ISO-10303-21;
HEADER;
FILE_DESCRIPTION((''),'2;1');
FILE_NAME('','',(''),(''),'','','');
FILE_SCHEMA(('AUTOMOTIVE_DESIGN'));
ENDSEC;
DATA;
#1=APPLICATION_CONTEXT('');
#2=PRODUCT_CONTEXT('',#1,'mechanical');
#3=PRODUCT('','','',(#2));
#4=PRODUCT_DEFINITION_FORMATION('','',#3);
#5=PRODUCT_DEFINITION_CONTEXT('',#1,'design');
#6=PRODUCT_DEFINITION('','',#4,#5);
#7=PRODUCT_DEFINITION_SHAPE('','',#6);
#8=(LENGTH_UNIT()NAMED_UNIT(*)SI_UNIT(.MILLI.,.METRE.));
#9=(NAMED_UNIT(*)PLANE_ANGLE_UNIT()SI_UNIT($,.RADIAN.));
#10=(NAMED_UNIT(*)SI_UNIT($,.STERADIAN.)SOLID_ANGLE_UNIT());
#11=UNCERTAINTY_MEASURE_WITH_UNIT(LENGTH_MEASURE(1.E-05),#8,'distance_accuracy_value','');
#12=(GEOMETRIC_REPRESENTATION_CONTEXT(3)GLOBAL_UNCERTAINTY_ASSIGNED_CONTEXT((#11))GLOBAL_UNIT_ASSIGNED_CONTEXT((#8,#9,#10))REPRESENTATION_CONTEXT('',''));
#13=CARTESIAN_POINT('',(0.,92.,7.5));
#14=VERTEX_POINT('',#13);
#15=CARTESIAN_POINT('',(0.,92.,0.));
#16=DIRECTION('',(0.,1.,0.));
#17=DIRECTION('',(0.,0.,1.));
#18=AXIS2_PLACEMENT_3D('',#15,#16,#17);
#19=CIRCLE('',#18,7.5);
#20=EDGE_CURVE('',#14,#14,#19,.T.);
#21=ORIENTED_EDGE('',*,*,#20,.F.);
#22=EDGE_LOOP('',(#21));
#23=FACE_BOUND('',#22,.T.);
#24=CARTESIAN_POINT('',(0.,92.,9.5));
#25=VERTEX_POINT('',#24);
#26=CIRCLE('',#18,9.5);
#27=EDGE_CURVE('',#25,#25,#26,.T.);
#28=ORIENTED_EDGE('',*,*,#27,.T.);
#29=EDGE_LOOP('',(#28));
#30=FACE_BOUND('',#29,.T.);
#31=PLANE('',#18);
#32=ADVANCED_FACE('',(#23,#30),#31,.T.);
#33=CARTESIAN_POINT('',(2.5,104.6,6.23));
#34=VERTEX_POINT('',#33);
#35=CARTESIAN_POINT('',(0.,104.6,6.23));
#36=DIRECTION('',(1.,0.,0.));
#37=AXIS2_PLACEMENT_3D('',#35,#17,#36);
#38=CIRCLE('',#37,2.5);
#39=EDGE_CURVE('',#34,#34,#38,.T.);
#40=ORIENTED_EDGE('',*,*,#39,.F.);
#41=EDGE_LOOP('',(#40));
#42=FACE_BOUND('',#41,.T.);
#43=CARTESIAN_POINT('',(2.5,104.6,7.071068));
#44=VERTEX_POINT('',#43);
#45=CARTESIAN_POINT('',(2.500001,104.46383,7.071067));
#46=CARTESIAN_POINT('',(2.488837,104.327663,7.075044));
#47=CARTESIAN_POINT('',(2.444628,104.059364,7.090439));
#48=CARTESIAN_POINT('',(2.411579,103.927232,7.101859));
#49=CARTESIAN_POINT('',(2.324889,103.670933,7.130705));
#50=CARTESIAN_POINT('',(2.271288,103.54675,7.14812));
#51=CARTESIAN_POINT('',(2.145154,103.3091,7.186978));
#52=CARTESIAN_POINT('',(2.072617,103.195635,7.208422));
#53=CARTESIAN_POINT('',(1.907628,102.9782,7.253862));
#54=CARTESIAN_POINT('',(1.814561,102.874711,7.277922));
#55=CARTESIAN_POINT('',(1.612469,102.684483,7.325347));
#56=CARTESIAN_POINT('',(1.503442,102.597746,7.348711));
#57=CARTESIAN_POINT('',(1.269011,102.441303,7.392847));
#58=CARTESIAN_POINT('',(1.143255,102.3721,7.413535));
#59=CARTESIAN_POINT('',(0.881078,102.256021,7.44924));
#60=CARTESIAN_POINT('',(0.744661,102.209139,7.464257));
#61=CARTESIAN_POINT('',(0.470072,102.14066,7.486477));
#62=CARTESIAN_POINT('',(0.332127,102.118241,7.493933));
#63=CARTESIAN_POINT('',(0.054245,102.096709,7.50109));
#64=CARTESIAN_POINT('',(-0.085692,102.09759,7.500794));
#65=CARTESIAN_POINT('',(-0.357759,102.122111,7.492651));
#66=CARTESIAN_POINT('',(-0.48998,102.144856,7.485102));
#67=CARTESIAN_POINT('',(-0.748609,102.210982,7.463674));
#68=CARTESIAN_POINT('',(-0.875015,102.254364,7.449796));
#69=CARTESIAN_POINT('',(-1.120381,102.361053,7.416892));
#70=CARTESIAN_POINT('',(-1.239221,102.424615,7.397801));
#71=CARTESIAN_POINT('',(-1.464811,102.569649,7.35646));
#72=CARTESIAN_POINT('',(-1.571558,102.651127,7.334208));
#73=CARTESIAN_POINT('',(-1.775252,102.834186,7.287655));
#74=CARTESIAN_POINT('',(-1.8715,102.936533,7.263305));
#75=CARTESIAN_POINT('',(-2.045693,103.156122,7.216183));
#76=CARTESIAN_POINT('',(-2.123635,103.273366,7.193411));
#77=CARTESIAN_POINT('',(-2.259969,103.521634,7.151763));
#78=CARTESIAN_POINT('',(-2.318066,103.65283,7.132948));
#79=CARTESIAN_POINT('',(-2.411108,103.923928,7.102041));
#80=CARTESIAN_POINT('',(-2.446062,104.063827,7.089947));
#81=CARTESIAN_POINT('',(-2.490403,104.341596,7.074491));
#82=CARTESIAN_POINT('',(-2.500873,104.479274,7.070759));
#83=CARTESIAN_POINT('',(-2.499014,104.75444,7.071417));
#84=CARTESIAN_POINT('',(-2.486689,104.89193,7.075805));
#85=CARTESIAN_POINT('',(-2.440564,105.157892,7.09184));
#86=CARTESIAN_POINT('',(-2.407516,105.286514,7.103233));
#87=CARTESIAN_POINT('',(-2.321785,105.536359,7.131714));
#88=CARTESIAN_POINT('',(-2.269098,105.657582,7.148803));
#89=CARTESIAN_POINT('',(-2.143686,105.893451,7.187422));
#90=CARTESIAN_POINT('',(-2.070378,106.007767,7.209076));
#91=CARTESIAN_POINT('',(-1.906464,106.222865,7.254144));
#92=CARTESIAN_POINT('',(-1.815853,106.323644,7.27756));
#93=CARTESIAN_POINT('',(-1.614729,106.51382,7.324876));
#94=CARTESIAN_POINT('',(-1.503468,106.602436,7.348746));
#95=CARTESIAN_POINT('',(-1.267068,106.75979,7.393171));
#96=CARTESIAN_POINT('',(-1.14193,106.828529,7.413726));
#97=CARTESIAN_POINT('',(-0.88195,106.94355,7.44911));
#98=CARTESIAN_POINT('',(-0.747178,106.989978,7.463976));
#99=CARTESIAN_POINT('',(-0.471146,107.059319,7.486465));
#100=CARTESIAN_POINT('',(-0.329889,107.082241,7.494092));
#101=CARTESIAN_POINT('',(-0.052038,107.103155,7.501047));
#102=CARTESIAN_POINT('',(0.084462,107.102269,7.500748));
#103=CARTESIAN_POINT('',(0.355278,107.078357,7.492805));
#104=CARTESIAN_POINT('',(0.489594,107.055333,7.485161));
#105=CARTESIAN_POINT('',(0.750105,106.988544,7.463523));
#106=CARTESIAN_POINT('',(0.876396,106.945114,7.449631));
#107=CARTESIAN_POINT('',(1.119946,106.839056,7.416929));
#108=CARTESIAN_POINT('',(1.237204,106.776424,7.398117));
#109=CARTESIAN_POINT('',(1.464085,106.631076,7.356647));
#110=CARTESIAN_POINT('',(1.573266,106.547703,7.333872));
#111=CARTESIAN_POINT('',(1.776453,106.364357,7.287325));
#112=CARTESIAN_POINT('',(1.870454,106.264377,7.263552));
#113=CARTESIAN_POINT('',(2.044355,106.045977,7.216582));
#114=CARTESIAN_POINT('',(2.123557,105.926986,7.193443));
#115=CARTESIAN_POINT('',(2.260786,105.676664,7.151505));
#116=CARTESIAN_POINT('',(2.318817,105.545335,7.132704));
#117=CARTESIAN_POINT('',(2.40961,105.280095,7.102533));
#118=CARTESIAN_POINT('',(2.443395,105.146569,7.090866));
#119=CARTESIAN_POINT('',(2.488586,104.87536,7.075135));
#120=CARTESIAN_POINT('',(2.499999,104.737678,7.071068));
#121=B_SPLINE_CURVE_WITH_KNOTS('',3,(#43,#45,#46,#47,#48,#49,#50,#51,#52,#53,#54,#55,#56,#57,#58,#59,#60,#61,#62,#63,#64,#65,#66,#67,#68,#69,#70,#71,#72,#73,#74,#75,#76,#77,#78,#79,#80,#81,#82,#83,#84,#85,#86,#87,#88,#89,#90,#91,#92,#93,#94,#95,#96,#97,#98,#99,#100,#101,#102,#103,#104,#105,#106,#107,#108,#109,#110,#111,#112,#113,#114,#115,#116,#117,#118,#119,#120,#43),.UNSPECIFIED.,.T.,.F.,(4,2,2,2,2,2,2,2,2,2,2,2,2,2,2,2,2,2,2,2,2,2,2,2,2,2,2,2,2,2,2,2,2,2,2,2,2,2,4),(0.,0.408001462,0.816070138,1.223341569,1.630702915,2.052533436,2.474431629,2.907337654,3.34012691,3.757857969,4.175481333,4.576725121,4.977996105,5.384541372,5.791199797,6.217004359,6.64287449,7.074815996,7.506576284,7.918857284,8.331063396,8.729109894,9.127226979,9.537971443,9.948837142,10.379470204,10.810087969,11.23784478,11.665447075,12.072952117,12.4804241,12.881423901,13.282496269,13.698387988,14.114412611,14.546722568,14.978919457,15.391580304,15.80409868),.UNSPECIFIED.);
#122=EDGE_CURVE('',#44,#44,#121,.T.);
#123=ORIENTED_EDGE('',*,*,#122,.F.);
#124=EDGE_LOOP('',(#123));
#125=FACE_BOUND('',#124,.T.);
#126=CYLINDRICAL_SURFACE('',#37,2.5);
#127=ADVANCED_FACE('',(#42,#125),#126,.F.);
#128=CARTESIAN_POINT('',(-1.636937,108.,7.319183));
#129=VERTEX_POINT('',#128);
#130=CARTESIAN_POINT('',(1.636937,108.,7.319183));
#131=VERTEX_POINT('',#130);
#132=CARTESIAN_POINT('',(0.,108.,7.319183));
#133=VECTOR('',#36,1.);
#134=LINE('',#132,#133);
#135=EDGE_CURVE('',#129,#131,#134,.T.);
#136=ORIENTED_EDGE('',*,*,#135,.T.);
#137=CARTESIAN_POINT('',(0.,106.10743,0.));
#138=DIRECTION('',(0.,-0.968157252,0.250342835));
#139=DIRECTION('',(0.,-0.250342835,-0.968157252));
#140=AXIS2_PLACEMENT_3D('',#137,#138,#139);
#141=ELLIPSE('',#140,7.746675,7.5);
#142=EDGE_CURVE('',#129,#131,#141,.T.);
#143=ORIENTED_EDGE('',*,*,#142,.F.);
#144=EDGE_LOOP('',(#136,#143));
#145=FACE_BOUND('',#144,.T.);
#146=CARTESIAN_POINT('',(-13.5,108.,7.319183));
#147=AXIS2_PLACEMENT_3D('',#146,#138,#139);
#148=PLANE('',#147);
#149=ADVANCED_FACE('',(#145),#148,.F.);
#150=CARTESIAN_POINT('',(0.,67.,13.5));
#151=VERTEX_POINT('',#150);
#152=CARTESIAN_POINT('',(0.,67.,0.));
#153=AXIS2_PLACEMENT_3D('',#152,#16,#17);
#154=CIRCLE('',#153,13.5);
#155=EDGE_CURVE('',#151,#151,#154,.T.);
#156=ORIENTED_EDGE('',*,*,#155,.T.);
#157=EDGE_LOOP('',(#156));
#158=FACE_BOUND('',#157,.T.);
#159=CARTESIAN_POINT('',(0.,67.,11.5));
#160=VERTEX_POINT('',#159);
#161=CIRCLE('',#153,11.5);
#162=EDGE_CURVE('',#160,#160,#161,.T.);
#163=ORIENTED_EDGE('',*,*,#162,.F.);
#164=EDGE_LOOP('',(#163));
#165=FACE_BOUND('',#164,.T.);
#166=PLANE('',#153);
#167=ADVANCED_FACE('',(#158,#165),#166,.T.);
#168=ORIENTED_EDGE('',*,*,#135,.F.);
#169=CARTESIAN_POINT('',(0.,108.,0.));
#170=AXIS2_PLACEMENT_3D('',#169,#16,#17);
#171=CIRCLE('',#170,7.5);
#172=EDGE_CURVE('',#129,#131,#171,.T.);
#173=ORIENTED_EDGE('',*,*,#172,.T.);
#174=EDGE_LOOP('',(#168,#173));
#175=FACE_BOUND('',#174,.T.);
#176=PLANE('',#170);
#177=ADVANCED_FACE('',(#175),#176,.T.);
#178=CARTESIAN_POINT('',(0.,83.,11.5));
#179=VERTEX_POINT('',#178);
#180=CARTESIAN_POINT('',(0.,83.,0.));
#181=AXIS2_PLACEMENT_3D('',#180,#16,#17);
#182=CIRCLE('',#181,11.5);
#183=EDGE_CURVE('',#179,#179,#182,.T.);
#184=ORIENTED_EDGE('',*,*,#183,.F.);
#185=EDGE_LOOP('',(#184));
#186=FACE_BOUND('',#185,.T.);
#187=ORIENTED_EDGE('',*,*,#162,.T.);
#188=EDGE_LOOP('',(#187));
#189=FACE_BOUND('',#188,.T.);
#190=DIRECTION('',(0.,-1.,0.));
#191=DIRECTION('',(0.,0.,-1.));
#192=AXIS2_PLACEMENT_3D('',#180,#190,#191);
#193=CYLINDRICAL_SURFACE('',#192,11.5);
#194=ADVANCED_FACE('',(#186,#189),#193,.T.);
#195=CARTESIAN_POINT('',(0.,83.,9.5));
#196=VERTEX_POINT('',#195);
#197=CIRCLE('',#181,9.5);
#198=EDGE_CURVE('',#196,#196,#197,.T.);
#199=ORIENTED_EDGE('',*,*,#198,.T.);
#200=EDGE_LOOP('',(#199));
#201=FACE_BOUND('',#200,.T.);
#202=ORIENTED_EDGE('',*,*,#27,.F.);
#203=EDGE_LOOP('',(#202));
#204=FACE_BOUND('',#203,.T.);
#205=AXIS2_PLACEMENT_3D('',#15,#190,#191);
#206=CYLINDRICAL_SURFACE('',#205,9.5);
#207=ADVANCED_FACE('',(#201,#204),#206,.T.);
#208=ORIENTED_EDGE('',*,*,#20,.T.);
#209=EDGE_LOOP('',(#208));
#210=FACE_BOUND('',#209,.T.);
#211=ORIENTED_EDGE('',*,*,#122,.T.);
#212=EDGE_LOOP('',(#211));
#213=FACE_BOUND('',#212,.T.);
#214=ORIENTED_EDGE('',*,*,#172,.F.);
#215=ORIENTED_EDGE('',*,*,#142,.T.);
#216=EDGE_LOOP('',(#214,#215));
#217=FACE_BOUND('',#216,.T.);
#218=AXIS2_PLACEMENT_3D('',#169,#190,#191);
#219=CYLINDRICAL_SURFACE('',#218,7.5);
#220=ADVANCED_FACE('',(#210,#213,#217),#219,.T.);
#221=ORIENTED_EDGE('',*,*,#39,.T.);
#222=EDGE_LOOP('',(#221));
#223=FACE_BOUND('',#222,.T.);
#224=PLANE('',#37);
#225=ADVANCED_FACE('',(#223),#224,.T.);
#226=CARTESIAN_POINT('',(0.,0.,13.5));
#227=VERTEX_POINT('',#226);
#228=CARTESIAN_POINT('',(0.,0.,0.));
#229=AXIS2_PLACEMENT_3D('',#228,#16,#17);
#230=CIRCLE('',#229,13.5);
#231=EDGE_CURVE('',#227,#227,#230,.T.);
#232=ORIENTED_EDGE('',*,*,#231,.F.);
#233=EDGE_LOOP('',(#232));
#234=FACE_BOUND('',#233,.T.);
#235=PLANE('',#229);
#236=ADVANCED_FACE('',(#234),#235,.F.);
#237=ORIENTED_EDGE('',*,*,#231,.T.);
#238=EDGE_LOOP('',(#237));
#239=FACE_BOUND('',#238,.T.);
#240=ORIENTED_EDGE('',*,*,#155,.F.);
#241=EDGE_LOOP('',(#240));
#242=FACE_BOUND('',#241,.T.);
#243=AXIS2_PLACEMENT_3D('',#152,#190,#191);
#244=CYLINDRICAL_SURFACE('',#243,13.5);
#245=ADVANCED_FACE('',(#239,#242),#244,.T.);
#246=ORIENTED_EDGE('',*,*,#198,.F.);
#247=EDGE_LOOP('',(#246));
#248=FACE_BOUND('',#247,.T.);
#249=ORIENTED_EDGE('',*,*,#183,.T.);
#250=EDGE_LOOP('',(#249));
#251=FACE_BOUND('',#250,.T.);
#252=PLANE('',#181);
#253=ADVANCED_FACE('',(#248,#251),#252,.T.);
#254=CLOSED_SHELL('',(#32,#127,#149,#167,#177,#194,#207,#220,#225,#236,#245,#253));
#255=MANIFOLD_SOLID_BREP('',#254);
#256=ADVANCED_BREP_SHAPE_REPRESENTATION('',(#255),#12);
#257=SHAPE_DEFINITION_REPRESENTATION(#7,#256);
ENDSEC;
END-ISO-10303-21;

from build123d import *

# Parameters (mm, degrees)
SKETCH1_R           = 13.5
BOSS_EXTRUDE1_DEPTH = 67
SKETCH2_R           = 11.5
BOSS_EXTRUDE2_DEPTH = 16
SKETCH3_R           = 9.5
BOSS_EXTRUDE3_DEPTH = 9
SKETCH4_R           = 7.5
BOSS_EXTRUDE4_DEPTH = 16
CUT_EXTRUDE1_DEPTH  = 111.847868721
SKETCH7_R           = 2.5
CUT_EXTRUDE2_DEPTH  = 1.27


with BuildPart() as part:
    # Sketch1 → Boss-Extrude1 (new body)
    with BuildSketch(Plane(origin=(0, 0, 0), x_dir=(1, 0, 0), z_dir=(0, 1, 0))):
        with Locations(Location((0, 0, 0), (0, 0, 270))):
            Circle(SKETCH1_R)
    extrude(amount=BOSS_EXTRUDE1_DEPTH)

    # Sketch2 → Boss-Extrude2 (add)
    with BuildSketch(Plane(origin=(0, 67, 0), x_dir=(1, 0, 0), z_dir=(0, 1, 0))):
        with Locations(Location((0, 0, 0), (0, 0, 270))):
            Circle(SKETCH2_R)
    extrude(amount=BOSS_EXTRUDE2_DEPTH)

    # Sketch3 → Boss-Extrude3 (add)
    with BuildSketch(Plane(origin=(0, 83, 0), x_dir=(1, 0, 0), z_dir=(0, 1, 0))):
        with Locations(Location((0, 0, 0), (0, 0, 270))):
            Circle(SKETCH3_R)
    extrude(amount=BOSS_EXTRUDE3_DEPTH)

    # Sketch4 → Boss-Extrude4 (add)
    with BuildSketch(Plane(origin=(0, 92, 0), x_dir=(1, 0, 0), z_dir=(0, 1, 0))):
        with Locations(Location((0, 0, 0), (0, 0, 270))):
            Circle(SKETCH4_R)
    extrude(amount=BOSS_EXTRUDE4_DEPTH)

    # Sketch6 → Cut-Extrude1 (cut, through all)
    with BuildSketch(Plane(origin=(7.5, 0, 0), x_dir=(0, 0, -1), z_dir=(1, 0, 0))):
        Polygon((-7.319182821, 108), (8.150119574, 104), (7.994537509, 108), align=None)
    extrude(amount=-CUT_EXTRUDE1_DEPTH, mode=Mode.SUBTRACT)

    # Sketch7 → Cut-Extrude2 (cut)
    with BuildSketch(Plane.XY.offset(7.5)):
        with Locations((0, 104.6)):
            Circle(SKETCH7_R)
    extrude(amount=-CUT_EXTRUDE2_DEPTH, mode=Mode.SUBTRACT)


solid = part.part
